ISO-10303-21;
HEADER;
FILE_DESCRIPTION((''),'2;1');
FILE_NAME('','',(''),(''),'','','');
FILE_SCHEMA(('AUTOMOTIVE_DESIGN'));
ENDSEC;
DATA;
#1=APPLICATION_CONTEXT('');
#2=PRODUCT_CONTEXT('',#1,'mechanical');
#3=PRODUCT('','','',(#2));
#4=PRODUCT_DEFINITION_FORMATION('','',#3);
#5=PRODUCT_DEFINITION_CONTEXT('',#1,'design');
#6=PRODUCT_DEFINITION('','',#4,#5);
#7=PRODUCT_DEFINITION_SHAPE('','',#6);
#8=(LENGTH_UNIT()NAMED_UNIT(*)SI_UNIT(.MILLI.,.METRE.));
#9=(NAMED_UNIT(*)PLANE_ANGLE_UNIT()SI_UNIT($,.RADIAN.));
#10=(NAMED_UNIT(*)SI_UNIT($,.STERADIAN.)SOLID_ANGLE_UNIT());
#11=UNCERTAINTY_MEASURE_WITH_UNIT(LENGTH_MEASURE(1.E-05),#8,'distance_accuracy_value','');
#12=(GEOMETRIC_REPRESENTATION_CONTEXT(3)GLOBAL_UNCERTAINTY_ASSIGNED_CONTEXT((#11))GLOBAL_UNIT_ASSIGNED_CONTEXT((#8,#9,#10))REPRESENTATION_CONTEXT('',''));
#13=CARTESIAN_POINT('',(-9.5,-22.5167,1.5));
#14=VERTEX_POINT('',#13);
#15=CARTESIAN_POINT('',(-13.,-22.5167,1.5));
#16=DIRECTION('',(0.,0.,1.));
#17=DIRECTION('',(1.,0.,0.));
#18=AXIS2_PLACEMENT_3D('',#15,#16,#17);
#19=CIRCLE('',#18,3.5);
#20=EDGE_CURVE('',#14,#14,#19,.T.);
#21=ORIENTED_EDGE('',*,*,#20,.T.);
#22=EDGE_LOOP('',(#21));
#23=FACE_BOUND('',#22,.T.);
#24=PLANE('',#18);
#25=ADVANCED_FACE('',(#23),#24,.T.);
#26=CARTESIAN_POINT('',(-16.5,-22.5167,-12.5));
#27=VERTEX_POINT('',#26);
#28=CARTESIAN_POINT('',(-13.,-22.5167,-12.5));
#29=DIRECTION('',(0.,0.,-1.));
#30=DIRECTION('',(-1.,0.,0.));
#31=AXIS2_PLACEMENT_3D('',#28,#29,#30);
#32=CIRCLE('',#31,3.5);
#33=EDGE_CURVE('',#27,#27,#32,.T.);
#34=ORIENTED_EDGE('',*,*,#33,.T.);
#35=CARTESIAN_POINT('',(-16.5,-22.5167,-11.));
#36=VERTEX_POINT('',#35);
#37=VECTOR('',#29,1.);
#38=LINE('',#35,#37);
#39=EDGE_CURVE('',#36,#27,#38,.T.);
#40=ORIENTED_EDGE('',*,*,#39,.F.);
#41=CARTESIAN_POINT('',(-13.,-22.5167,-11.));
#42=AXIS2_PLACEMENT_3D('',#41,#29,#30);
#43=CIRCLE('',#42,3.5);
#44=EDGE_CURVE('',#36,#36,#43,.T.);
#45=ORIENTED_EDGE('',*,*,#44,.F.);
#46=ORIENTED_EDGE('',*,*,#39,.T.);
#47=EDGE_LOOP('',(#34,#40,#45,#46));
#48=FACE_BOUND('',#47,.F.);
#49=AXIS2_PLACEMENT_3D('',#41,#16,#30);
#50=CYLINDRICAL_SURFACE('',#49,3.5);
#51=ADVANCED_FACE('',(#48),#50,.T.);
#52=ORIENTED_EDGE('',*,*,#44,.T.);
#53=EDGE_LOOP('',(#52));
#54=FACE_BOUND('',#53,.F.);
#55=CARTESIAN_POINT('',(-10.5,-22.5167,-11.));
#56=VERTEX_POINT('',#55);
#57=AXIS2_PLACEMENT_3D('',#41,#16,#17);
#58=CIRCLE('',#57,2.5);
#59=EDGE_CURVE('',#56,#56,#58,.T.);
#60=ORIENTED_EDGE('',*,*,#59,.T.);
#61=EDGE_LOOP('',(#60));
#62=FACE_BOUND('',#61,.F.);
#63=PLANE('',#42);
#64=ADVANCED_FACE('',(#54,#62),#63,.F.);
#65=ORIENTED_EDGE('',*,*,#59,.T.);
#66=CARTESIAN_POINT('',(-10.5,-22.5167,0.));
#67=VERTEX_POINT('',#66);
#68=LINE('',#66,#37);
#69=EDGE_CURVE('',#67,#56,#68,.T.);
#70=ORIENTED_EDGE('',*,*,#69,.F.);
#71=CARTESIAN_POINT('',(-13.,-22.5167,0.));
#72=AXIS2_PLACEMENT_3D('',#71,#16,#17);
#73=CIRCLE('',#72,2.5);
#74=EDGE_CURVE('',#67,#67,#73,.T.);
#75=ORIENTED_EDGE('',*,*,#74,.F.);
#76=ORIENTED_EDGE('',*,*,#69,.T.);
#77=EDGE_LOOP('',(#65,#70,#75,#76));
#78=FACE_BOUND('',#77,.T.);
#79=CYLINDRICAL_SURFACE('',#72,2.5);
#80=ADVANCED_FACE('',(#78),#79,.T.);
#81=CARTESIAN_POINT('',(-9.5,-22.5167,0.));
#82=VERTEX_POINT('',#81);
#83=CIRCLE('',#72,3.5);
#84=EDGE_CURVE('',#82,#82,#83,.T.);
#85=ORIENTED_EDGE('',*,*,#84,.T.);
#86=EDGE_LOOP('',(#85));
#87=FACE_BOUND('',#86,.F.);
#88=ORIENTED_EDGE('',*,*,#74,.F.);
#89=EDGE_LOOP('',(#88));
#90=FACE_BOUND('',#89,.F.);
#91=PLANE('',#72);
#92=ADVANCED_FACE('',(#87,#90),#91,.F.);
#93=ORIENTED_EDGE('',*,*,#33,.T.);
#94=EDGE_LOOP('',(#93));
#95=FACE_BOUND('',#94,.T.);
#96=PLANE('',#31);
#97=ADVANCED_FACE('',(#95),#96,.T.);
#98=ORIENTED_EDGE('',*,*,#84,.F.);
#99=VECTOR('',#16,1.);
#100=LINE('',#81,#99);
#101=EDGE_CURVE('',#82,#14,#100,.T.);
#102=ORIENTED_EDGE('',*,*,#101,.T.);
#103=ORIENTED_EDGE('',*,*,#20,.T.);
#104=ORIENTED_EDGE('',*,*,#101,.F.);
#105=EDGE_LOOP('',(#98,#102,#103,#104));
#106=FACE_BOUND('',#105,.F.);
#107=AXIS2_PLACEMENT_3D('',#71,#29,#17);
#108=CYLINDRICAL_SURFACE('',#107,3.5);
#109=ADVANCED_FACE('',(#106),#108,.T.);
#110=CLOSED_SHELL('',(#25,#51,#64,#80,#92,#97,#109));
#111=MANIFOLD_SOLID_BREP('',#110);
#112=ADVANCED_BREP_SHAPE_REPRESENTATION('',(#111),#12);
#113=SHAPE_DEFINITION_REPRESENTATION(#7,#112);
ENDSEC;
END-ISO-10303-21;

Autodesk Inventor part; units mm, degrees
ref_plane "YZ Plane" through (0, 0, 0) normal (1, 0, 0) x (0, 1, 0)
ref_plane "XZ Plane" through (0, 0, 0) normal (0, 1, 0) x (-1, 0, 0)
ref_plane "Płaszczyzna konstrukcyjna1" through (0, 0, 0) normal (0, 0, 1) x (1, 0, 0)
sketch "Szkic1" plane through (0, 0, 0) normal (0, 0, 1) x (1, 0, 0)
  circle A0 centre (-13, -22.5167) radius 2.5 projected
  circle A1 centre (-13, -22.5167) radius 2.5
  point P0 (0, 0)
extrude "Wyciągnięcie proste1" add sketch "Szkic1" against normal blind 11
sketch "Szkic2" plane through (-13, -22.5167, -11) normal (0, 0, -1) x (-1, 0, 0)
  circle A0 centre (0, 0) radius 2.5 projected
  circle A1 centre (0, 0) radius 3.5
  point P0 (-13, 22.5167)
  dimension "d2" = 7
extrude "Wyciągnięcie proste2" add sketch "Szkic2" along normal blind 1.5 contours A0 | A1
sketch "Szkic3" plane through (-13, -22.5167, 0) normal (0, 0, 1) x (1, 0, 0)
  circle A0 centre (0, 0) radius 3.5
  point P0 (13, 22.5167)
  dimension "d5" = 7
extrude "Wyciągnięcie proste3" add sketch "Szkic3" along normal blind 1.5
properties part number "Nit tarczy długi" material "Stal, węglowa"
